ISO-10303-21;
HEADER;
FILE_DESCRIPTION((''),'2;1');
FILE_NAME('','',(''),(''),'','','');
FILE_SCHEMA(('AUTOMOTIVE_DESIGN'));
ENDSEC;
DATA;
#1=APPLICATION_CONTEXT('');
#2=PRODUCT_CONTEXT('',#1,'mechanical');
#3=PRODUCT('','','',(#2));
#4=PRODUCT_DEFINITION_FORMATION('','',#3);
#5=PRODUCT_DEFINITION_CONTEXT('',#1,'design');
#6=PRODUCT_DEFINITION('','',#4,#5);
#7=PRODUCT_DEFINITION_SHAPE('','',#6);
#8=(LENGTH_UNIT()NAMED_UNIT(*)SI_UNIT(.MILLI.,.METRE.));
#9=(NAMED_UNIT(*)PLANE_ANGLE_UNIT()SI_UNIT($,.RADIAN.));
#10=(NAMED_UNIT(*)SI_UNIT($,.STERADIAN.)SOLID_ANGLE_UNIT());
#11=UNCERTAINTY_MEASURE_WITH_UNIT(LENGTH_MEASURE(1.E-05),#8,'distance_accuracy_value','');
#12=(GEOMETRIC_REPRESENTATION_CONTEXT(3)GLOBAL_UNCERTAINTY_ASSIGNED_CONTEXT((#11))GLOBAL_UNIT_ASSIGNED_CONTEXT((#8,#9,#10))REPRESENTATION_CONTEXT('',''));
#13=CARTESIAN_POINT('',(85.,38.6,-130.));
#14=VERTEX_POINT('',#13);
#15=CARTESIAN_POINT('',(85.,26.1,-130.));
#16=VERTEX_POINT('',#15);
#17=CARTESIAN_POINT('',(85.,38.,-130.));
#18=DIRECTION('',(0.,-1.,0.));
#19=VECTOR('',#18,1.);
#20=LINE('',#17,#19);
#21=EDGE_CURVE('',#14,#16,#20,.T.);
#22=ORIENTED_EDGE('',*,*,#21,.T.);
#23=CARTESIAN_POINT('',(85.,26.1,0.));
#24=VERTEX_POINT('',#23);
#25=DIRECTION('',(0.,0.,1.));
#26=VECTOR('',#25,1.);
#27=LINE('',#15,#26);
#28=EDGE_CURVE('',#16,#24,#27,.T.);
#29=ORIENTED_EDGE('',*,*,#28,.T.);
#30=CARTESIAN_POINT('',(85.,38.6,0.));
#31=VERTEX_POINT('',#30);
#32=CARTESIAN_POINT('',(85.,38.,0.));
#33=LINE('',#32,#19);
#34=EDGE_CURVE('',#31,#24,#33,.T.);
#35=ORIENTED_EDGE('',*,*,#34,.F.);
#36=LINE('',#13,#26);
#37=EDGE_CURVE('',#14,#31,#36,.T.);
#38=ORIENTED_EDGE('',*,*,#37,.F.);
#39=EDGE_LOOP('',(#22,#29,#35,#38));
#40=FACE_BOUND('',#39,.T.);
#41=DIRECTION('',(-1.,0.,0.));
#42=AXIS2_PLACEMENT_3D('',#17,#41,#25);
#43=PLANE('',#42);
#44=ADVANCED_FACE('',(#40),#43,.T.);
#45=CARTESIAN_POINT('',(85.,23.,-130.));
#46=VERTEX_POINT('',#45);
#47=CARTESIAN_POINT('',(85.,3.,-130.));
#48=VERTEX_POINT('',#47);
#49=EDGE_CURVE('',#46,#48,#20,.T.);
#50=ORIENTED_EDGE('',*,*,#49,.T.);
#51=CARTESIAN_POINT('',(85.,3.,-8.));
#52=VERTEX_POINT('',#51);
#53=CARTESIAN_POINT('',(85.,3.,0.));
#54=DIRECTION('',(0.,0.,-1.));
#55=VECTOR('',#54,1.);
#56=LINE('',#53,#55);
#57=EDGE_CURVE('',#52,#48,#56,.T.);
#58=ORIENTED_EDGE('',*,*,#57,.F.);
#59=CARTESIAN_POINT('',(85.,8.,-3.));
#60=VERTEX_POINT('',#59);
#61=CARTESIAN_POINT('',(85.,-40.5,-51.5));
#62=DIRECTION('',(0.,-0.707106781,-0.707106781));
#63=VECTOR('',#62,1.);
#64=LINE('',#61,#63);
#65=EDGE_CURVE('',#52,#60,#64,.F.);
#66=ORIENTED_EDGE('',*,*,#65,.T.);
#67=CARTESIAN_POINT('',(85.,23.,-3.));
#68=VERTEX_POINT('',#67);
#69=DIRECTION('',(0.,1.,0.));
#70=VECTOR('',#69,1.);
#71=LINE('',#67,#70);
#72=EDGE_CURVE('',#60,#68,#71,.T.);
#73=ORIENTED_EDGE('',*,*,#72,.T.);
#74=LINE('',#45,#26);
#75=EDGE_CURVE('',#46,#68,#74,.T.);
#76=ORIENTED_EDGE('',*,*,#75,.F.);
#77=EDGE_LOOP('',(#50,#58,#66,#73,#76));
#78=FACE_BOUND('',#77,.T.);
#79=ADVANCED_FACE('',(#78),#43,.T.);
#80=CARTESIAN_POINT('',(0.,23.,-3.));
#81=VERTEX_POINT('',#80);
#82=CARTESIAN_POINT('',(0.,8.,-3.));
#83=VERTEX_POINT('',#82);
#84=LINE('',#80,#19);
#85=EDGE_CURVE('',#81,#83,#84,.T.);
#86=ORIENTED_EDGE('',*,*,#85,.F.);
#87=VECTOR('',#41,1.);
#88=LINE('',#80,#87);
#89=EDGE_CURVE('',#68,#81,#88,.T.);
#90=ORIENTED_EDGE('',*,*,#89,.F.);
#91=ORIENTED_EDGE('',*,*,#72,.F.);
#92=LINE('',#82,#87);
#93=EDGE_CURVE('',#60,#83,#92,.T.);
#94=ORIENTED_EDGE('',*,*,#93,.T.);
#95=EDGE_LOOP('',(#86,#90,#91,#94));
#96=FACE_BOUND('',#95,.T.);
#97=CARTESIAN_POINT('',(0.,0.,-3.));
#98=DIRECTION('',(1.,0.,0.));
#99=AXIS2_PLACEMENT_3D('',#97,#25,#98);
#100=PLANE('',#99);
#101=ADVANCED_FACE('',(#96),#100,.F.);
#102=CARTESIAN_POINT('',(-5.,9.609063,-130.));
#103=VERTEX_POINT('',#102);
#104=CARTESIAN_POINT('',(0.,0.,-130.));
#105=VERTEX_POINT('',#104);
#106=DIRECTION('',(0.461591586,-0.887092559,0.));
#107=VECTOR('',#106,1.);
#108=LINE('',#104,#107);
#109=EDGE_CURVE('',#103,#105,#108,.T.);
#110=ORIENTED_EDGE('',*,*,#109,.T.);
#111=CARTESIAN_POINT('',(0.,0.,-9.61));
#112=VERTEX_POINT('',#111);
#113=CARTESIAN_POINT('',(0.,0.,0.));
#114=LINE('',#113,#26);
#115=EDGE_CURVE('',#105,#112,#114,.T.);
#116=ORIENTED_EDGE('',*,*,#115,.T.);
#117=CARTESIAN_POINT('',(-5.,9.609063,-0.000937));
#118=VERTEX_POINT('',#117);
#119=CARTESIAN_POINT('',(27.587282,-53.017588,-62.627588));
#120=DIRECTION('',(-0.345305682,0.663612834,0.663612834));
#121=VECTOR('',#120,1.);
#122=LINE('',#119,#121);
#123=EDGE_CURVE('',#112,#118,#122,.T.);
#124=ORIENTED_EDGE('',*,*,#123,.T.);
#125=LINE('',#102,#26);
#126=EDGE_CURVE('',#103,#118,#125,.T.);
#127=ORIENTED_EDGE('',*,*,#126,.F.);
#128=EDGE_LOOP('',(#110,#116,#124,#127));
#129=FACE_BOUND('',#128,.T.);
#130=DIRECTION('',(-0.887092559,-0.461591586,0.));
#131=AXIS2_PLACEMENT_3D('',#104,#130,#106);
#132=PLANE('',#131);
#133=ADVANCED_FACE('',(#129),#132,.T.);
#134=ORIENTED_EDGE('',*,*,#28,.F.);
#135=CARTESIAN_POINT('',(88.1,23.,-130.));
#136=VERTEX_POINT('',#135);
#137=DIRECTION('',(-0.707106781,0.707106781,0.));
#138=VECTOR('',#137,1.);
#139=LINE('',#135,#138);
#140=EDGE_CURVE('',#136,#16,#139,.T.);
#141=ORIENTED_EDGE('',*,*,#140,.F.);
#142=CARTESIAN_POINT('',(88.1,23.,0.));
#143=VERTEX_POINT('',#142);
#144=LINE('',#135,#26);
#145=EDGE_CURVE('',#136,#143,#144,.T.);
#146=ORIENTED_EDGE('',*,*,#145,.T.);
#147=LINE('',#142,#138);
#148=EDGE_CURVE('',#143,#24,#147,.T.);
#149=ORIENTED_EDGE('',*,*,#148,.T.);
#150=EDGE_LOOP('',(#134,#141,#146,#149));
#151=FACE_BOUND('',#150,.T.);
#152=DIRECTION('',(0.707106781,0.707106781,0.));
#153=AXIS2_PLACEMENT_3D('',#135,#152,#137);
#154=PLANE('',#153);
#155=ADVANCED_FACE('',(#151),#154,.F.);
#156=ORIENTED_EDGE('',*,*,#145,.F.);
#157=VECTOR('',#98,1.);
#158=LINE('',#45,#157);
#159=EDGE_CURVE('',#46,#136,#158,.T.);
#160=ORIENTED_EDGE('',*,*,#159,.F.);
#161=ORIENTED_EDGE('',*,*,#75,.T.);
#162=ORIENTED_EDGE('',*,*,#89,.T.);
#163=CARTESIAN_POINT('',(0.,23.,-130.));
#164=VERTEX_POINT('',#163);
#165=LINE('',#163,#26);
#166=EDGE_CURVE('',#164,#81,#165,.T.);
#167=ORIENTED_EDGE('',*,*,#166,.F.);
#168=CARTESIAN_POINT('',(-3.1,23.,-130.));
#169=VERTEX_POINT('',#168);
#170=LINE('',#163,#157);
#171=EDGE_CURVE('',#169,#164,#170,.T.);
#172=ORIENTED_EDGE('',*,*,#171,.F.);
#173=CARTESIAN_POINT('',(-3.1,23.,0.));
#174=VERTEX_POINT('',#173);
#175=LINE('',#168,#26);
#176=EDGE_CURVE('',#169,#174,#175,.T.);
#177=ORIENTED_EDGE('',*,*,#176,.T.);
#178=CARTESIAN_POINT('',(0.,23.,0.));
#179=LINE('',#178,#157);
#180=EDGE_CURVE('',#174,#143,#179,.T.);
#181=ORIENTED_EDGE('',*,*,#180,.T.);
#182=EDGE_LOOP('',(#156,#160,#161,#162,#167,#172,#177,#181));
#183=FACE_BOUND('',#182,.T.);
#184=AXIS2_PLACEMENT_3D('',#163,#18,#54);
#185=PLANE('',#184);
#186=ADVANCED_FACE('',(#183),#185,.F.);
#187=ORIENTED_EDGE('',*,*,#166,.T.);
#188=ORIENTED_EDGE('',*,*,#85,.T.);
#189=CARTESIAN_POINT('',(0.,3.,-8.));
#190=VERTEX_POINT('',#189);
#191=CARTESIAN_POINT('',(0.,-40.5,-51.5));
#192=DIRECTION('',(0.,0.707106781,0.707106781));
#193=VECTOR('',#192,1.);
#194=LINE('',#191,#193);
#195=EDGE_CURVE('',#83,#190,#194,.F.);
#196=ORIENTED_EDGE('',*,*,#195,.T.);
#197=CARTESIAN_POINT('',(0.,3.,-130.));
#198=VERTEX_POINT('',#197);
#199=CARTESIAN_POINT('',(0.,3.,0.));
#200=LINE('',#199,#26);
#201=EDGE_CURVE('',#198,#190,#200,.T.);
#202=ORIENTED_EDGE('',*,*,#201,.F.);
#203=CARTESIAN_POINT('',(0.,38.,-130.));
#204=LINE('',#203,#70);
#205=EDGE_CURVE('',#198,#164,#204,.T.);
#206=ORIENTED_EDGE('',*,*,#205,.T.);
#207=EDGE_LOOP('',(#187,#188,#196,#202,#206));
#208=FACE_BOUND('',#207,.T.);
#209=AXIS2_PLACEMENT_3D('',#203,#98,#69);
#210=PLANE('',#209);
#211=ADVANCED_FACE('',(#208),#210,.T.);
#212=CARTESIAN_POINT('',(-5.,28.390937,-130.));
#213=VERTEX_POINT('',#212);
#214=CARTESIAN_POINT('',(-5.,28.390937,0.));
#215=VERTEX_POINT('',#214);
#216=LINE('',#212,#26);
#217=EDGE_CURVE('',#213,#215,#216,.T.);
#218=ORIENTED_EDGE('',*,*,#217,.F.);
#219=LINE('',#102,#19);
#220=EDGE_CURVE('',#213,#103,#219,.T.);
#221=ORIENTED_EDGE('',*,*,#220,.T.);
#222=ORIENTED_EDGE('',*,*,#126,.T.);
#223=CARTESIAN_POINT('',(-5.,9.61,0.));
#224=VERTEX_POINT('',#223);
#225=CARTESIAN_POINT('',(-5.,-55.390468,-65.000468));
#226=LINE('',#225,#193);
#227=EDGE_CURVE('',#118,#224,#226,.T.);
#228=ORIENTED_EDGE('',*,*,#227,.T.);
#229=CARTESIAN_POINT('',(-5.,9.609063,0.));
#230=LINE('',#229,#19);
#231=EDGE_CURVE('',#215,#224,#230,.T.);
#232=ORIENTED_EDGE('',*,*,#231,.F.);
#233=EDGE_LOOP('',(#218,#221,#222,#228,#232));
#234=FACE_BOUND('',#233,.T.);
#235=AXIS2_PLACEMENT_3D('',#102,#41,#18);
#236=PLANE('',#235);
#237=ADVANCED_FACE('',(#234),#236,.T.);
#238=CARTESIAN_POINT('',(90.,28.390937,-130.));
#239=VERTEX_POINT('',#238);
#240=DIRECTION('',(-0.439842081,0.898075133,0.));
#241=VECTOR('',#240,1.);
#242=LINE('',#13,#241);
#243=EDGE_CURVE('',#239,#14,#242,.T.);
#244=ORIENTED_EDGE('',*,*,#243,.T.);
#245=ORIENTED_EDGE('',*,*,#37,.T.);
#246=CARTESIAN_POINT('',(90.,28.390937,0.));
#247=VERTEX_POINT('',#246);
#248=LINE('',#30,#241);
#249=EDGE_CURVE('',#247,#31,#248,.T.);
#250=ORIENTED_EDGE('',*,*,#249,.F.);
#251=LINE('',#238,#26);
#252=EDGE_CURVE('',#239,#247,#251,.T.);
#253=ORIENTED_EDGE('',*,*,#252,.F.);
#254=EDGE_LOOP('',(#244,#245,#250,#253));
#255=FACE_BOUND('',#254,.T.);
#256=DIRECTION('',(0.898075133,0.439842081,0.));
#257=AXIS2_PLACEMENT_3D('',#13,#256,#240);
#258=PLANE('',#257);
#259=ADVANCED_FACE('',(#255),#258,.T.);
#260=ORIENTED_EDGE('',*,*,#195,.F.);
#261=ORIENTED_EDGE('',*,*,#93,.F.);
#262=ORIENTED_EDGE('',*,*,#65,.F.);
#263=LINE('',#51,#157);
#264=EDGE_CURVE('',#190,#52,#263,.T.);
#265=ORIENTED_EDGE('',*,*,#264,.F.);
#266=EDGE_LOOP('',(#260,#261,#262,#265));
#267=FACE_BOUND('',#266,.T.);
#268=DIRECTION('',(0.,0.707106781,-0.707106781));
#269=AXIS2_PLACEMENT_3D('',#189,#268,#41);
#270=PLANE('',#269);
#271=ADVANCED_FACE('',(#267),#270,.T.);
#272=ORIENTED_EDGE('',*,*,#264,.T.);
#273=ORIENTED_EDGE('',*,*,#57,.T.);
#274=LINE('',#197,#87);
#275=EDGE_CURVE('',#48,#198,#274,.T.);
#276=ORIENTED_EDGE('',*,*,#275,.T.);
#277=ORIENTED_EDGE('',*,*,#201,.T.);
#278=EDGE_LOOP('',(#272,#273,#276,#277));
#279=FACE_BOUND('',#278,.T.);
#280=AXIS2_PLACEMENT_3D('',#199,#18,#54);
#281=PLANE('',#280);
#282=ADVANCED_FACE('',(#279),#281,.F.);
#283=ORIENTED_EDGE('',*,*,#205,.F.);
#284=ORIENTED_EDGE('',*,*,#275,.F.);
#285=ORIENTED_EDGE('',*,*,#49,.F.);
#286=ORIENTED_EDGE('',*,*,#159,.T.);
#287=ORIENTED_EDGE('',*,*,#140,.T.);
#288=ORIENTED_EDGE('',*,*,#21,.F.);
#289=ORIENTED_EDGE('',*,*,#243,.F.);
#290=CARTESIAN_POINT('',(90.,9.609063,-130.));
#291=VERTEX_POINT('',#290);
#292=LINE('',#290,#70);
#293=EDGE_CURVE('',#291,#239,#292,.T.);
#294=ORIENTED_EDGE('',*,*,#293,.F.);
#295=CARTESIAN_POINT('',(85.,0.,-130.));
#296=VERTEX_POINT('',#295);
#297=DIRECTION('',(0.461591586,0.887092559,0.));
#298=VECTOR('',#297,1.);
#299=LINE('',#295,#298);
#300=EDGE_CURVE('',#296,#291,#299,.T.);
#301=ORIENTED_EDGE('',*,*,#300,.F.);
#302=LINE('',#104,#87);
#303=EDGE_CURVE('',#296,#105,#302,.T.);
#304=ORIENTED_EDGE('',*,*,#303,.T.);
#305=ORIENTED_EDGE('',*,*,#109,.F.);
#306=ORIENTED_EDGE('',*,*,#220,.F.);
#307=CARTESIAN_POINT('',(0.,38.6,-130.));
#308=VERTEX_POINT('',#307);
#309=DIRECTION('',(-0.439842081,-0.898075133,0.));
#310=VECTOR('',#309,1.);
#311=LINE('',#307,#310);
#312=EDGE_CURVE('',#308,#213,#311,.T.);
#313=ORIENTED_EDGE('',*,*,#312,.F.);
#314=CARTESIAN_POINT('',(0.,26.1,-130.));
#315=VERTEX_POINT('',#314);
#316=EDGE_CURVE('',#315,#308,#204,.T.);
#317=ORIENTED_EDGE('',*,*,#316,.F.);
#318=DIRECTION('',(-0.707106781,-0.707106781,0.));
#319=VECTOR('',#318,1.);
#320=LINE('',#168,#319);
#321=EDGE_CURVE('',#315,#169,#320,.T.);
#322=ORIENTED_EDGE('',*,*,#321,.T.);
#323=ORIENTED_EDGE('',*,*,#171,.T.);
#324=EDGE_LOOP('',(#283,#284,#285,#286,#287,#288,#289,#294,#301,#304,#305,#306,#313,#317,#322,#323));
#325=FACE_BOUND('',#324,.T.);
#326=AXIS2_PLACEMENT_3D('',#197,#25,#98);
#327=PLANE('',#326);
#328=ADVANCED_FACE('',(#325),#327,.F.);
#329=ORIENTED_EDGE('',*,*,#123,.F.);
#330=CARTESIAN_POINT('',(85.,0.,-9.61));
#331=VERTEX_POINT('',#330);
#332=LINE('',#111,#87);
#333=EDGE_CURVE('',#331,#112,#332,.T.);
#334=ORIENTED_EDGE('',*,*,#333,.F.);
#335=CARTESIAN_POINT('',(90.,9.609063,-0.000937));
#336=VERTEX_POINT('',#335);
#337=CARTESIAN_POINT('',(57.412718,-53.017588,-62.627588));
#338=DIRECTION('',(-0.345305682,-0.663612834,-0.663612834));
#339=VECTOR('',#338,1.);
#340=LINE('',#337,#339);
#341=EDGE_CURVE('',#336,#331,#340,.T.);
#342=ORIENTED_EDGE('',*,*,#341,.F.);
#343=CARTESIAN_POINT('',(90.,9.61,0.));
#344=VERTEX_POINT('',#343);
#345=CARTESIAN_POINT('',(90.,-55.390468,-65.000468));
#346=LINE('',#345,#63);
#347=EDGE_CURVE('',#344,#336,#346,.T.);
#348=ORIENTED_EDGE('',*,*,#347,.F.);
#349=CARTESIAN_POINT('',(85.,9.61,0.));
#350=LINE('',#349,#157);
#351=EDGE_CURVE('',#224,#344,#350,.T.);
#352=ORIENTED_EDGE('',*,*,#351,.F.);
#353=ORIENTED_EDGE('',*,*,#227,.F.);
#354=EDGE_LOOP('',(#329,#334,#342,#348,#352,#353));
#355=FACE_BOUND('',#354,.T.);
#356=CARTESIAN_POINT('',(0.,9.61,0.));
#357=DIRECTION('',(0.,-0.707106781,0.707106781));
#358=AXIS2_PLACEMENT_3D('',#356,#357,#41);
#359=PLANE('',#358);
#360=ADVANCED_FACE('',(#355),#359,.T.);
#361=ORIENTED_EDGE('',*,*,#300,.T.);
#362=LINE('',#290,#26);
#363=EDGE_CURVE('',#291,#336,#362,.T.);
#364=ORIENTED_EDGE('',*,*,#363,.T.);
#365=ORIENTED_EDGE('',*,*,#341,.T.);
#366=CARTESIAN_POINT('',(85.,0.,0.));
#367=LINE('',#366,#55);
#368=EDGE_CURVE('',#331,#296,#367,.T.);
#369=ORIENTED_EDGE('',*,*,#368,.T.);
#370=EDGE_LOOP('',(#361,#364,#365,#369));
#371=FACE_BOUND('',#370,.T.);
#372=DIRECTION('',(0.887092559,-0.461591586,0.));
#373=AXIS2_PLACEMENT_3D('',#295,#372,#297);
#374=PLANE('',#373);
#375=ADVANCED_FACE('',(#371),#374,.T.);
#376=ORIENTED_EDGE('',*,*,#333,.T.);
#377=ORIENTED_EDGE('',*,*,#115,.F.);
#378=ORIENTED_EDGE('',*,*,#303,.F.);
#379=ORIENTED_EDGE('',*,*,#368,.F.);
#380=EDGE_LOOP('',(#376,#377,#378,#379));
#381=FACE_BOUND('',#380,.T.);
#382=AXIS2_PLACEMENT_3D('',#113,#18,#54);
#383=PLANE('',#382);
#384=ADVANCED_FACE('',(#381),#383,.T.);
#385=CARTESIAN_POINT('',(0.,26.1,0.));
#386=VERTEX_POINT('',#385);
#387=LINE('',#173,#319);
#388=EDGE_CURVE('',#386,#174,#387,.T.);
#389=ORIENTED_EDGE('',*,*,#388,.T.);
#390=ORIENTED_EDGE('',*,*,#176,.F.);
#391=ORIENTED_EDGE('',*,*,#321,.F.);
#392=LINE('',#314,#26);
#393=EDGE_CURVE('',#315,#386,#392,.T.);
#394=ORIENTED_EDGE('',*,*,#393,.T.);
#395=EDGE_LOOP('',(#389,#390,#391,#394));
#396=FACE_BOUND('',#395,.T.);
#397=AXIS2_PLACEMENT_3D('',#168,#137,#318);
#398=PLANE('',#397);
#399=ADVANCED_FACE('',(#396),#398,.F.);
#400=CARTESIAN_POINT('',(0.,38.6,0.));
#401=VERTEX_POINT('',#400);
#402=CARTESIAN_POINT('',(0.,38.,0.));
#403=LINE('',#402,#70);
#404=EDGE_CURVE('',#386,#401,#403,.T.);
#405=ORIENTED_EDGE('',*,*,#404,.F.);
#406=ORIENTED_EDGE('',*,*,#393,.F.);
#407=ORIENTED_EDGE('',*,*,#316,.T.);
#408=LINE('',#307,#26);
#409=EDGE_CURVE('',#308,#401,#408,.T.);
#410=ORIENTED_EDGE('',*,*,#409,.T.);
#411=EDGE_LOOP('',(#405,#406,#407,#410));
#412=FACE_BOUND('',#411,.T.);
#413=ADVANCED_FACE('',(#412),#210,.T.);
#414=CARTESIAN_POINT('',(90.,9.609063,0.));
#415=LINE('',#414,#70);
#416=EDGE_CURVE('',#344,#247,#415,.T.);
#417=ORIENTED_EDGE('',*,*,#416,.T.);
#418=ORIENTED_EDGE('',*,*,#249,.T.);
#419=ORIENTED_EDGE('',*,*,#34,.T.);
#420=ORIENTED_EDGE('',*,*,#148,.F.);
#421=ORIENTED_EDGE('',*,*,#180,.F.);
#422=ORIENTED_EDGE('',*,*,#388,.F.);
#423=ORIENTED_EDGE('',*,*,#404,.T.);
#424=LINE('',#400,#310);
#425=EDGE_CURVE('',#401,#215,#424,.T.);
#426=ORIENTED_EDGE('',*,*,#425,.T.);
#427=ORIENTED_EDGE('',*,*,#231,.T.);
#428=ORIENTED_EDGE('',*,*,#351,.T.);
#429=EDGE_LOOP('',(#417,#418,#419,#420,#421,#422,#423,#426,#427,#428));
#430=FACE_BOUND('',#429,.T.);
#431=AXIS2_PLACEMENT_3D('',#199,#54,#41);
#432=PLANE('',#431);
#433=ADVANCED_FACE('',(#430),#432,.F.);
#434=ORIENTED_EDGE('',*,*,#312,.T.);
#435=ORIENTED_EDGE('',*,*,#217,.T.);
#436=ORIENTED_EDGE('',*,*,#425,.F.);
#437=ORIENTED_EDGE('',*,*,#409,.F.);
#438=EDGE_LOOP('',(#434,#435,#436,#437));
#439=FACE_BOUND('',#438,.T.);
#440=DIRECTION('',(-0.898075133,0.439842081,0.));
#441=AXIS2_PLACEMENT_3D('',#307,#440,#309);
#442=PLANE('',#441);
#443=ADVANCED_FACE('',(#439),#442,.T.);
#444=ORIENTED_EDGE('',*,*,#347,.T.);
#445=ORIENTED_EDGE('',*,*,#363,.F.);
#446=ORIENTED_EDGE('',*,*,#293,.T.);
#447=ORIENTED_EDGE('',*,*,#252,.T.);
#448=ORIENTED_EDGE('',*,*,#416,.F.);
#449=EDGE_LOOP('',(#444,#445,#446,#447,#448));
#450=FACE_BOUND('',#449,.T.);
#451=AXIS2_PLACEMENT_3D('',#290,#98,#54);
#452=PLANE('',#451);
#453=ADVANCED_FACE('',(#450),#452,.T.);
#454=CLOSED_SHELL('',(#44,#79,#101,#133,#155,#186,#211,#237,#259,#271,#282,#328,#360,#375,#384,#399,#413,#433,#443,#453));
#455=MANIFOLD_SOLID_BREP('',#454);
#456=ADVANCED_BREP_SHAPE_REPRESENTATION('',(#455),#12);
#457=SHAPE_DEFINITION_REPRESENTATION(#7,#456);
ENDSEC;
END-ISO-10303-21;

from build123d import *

# Parameters (mm, degrees)
SKETCH1_W                           = 85
SKETCH1_H                           = 130
BOSS_EXTRUDE1_BASE_DEPTH            = 3
BOSS_EXTRUDE4_SIDE_WALLS_DEPTH      = 130
CUT_EXTRUDE2_GUIDE_HOLES_DEPTH      = 163.616112363
SKETCH15_W                          = 85
SKETCH15_H                          = 20
BOSS_EXTRUDE9_FRONT_WALL_DEPTH      = 3
CHAMFER5_FRONT_CHAMFER_SIZE         = 9.61
CHAMFER6_FRONT_CHAMFER_CLEANUP_SIZE = 5
BOSS_EXTRUDE1_DEPTH                 = 130


with BuildPart() as part:
    # Sketch1 → Boss-Extrude1 _Base (new body)
    with BuildSketch(Plane(origin=(0, 0, 0), x_dir=(1, 0, 0), z_dir=(0, 1, 0))):
        with Locations((42.5, 65)):
            Rectangle(SKETCH1_W, SKETCH1_H)
    extrude(amount=BOSS_EXTRUDE1_BASE_DEPTH)

    # Sketch5 → Boss-Extrude4 _Side Walls (add, through all)
    with BuildSketch(Plane.XY):
        Polygon((-5, 28.390936655), (0, 38), (0, 0), (-5, 9.609063345), align=None)
        Polygon((90, 9.609063345), (90, 28.390936655), (85, 38), (85, 0), align=None)
    extrude(amount=-BOSS_EXTRUDE4_SIDE_WALLS_DEPTH)

    # Sketch4 → Cut-Extrude2 _Guide Holes (cut, through all)
    with BuildSketch(Plane.XY):
        Polygon((-3.1, 23), (0, 26.1), (0, 23), align=None)
        Polygon((85, 23), (88.1, 23), (85, 26.1), align=None)
    extrude(amount=-CUT_EXTRUDE2_GUIDE_HOLES_DEPTH, mode=Mode.SUBTRACT)

    # Sketch15 → Boss-Extrude9 _Front Wall (add)
    with BuildSketch(Plane.XY):
        with Locations((42.5, 13)):
            Rectangle(SKETCH15_W, SKETCH15_H)
    extrude(amount=-BOSS_EXTRUDE9_FRONT_WALL_DEPTH)

    # Chamfer5 _Front Chamfer
    chamfer5_front_chamfer_edges = [part.edges().sort_by_distance(p)[0] for p in [
        (42.5, 0, 0),
    ]]
    chamfer(chamfer5_front_chamfer_edges, length=CHAMFER5_FRONT_CHAMFER_SIZE)

    # Chamfer6 _Front Chamfer Cleanup
    chamfer6_front_chamfer_cleanup_edges = [part.edges().sort_by_distance(p)[0] for p in [
        (42.5, 3, -3),
    ]]
    chamfer(chamfer6_front_chamfer_cleanup_edges, length=CHAMFER6_FRONT_CHAMFER_CLEANUP_SIZE)

    # Sketch16 → Boss-Extrude1 (add, through all)
    with BuildSketch(Plane.XY):
        Polygon((0, 26.1), (0, 38.6), (-5, 28.390936655), align=None)
        Polygon((90, 28.390936655), (85, 26.1), (85, 38.6), align=None)
    extrude(amount=-BOSS_EXTRUDE1_DEPTH)


solid = part.part
